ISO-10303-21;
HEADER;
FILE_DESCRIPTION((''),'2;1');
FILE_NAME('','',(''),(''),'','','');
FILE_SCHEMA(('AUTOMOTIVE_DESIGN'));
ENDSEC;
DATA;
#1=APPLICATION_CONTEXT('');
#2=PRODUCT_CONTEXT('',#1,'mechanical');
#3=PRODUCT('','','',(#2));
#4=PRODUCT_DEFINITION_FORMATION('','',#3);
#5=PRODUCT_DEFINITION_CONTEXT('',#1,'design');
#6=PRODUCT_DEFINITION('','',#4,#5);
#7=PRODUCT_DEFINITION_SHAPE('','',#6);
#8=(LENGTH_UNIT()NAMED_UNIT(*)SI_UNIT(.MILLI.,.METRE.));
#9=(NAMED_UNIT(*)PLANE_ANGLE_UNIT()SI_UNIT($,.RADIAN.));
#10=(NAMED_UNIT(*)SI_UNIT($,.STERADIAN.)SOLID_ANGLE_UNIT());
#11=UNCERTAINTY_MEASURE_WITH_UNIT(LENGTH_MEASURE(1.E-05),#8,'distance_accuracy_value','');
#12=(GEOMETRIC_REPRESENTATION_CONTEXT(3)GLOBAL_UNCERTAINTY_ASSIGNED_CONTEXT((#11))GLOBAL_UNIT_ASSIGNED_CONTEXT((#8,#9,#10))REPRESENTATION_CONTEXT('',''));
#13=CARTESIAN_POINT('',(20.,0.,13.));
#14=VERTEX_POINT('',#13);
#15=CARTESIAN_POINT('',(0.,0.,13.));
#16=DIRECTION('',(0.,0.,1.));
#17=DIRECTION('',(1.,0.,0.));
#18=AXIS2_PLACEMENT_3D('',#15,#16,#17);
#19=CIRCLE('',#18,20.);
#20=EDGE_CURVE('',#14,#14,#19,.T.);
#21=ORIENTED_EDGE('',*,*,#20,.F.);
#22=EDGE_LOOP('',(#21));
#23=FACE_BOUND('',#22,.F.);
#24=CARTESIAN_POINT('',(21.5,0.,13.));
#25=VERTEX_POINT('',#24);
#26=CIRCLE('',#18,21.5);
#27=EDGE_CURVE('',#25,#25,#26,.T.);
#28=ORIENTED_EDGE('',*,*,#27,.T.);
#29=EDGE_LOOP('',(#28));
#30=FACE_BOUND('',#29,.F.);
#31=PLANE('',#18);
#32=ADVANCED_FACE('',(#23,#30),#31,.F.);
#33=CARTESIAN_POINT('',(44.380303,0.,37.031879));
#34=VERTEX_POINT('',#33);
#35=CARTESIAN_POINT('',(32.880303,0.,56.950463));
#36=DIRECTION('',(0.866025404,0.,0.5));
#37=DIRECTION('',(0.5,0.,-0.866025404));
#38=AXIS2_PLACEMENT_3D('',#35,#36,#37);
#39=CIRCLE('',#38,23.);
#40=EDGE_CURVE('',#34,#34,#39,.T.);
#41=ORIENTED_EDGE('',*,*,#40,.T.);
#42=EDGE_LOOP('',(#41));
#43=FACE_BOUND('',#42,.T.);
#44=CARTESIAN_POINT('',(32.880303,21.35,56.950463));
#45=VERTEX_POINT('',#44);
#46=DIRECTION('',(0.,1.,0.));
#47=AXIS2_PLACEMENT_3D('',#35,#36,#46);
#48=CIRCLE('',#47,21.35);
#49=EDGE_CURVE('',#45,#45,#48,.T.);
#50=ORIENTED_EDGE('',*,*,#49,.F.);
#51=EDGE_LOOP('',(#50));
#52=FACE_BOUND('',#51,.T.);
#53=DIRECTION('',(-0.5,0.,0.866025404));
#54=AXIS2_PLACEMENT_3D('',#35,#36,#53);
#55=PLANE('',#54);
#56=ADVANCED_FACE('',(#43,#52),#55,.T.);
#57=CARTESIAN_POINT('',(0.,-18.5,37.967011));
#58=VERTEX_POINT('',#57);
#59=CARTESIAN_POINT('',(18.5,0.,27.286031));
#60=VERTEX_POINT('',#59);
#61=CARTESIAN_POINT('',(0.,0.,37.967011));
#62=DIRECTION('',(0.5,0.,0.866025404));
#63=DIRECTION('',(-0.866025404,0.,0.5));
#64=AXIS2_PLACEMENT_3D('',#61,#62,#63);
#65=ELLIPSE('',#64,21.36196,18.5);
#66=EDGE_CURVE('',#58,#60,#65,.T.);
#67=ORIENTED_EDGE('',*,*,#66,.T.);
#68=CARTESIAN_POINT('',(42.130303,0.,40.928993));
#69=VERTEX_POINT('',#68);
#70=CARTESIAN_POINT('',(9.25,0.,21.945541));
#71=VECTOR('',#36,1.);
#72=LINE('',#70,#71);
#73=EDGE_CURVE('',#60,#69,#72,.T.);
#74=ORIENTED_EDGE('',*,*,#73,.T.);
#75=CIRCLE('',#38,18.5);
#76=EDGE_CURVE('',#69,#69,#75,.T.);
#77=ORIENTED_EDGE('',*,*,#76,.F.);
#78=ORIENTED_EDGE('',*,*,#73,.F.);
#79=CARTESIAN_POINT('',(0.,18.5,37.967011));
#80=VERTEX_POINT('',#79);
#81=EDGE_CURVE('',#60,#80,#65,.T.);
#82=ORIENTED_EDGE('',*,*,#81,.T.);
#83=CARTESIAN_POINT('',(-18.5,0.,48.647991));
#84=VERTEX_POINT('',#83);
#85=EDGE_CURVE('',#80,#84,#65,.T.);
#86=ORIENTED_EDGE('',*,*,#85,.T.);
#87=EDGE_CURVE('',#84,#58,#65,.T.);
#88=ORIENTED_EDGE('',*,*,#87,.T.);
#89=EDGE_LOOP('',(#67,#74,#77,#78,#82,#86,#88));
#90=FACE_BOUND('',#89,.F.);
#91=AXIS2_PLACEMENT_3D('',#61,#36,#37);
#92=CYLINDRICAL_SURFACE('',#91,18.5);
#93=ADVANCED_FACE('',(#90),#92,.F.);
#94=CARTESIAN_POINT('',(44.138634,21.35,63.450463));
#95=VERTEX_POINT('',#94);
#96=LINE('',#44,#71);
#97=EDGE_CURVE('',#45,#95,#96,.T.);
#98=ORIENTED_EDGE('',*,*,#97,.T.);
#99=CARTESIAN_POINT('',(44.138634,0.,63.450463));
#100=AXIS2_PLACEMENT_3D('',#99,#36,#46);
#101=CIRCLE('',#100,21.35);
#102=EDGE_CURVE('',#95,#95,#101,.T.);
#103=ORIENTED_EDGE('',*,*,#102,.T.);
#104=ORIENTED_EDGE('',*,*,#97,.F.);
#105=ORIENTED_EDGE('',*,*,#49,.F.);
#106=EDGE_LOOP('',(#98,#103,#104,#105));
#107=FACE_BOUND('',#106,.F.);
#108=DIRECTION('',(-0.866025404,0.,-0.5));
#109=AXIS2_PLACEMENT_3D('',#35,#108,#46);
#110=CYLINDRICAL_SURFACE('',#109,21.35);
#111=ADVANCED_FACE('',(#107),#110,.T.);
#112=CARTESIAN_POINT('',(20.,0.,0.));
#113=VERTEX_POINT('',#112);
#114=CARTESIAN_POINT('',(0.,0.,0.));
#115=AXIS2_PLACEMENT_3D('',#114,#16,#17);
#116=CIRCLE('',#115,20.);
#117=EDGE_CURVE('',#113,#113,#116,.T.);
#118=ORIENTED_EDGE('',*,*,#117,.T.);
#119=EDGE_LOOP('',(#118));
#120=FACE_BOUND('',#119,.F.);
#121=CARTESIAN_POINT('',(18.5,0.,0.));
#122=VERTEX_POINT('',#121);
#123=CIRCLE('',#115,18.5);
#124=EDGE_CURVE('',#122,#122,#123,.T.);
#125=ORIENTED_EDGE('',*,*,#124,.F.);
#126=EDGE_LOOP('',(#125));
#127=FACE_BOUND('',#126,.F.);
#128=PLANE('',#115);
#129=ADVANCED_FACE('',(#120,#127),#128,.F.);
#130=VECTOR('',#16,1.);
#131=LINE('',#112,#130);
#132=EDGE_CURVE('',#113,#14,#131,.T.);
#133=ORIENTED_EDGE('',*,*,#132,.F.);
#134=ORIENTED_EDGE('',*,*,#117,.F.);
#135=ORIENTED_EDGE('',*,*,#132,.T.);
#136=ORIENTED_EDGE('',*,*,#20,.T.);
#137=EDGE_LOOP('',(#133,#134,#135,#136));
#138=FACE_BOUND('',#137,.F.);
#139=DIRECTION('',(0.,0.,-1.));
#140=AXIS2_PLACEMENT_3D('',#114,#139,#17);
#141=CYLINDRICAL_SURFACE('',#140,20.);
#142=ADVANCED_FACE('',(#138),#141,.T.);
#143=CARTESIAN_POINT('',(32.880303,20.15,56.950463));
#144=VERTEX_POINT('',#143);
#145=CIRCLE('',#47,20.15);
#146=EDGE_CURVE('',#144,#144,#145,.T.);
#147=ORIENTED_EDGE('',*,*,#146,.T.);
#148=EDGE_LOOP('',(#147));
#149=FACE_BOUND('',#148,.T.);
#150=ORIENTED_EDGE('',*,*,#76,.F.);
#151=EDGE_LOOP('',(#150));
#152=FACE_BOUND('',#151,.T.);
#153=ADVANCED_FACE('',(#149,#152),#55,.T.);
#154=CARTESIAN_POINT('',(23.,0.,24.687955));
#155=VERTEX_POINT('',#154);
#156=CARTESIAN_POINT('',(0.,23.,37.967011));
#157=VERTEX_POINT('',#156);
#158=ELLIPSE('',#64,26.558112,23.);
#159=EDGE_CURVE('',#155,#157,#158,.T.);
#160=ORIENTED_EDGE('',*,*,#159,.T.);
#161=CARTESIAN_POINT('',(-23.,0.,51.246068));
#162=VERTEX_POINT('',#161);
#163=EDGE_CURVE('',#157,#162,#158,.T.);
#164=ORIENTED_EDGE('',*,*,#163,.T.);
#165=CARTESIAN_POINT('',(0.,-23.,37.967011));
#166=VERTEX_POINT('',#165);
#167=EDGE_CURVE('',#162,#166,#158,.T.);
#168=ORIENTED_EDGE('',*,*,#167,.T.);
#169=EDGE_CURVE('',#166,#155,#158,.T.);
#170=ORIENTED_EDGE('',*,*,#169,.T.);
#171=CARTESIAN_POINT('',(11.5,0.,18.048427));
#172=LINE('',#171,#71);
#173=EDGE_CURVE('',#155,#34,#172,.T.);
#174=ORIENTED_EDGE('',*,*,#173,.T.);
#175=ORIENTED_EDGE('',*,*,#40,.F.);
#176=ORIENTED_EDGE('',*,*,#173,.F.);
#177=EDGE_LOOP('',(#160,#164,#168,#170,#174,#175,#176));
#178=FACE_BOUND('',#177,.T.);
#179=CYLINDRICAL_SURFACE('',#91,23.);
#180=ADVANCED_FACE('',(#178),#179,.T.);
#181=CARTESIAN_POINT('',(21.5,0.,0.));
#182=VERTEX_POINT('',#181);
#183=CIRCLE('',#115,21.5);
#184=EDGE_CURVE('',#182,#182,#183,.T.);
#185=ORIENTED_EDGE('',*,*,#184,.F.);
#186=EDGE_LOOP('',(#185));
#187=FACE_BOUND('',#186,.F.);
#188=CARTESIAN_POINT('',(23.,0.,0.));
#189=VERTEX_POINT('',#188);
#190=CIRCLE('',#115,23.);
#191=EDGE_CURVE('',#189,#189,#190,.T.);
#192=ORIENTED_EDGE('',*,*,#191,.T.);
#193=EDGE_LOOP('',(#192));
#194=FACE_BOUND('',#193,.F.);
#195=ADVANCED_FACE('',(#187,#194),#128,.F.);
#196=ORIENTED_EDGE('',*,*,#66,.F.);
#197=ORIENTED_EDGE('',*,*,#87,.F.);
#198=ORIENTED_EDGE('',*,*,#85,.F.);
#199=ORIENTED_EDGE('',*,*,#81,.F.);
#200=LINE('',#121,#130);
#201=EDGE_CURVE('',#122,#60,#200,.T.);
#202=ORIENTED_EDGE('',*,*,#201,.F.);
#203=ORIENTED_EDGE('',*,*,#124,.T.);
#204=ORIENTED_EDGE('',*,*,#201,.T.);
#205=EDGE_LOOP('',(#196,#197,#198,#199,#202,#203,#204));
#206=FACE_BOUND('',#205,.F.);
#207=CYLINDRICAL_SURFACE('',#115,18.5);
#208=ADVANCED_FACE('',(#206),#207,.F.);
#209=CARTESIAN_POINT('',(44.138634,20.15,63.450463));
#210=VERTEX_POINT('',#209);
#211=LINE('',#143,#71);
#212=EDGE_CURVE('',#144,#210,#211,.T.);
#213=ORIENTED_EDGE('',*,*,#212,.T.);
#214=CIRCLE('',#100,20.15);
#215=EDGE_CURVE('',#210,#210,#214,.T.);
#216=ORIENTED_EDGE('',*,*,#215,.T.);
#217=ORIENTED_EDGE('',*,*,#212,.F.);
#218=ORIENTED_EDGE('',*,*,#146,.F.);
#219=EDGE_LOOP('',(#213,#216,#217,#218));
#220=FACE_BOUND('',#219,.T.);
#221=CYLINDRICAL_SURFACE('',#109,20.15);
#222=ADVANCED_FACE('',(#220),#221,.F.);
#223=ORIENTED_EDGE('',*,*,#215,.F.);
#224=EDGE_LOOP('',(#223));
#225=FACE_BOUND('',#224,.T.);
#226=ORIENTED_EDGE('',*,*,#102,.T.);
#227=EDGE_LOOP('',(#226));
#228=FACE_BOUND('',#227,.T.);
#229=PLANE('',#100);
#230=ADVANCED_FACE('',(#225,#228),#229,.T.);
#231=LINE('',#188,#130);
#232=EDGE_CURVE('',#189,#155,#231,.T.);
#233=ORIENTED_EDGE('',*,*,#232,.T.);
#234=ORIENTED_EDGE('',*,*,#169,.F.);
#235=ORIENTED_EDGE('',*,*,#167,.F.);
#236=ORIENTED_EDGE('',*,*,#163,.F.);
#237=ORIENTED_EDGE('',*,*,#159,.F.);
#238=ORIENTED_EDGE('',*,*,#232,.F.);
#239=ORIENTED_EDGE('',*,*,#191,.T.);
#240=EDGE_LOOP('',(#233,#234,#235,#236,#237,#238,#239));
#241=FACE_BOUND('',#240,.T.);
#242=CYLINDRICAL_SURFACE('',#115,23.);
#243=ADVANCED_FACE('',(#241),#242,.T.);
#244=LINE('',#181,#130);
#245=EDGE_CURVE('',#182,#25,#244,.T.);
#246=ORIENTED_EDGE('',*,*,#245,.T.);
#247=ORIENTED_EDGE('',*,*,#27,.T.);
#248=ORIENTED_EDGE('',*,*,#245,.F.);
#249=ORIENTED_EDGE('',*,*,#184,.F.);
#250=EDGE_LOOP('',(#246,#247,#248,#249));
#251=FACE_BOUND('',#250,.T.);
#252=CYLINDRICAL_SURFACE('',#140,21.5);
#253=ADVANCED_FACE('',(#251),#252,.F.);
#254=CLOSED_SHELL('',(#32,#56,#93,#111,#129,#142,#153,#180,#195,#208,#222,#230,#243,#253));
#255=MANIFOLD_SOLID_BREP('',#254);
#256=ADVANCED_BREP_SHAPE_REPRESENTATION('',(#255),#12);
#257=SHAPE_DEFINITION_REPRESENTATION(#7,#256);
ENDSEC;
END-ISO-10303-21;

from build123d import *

# Parameters (mm, degrees)
F1_R     = 23
F1_R_2   = 21.5
F1_R_3   = 20
F1_R_4   = 18.5
F3_R     = 21.35
F3_R_2   = 20.15
F4_DEPTH = 13
F5_DEPTH = 13


with BuildPart() as f2:
    # F2: sweep along a path in F0
    with BuildLine(Plane.XZ) as f2_path:
        Line((0, 0), (0, 37.9670113325))
        Line((0, 37.9670113325), (32.880303367, 56.9504633325))
    # F1 (on Top) → F2 (sweep)
    with BuildSketch(Plane.XY):
        Circle(F1_R)
        Circle(F1_R_2, mode=Mode.SUBTRACT)
        Circle(F1_R_2)
        Circle(F1_R_3, mode=Mode.SUBTRACT)
        Circle(F1_R_3)
        Circle(F1_R_4, mode=Mode.SUBTRACT)
    sweep(path=f2_path.line, transition=Transition.RIGHT)

    # F3 (on face) → F4 (join)
    with BuildSketch(Plane(origin=(49.3205015269, 0, 28.4752048331), x_dir=(0, 1, 0), z_dir=(0.8660254038, 0, 0.5))):
        with Locations((0, 32.8803963197)):
            Circle(F3_R)
        with Locations((0, 32.8803963197)):
            Circle(F3_R_2, mode=Mode.SUBTRACT)
    extrude(amount=F4_DEPTH)

    # F1 (on Top) → F5 (cut)
    with BuildSketch(Plane.XY):
        Circle(F1_R_2)
        Circle(F1_R_3, mode=Mode.SUBTRACT)
    extrude(amount=F5_DEPTH, mode=Mode.SUBTRACT)


solid = f2.part
